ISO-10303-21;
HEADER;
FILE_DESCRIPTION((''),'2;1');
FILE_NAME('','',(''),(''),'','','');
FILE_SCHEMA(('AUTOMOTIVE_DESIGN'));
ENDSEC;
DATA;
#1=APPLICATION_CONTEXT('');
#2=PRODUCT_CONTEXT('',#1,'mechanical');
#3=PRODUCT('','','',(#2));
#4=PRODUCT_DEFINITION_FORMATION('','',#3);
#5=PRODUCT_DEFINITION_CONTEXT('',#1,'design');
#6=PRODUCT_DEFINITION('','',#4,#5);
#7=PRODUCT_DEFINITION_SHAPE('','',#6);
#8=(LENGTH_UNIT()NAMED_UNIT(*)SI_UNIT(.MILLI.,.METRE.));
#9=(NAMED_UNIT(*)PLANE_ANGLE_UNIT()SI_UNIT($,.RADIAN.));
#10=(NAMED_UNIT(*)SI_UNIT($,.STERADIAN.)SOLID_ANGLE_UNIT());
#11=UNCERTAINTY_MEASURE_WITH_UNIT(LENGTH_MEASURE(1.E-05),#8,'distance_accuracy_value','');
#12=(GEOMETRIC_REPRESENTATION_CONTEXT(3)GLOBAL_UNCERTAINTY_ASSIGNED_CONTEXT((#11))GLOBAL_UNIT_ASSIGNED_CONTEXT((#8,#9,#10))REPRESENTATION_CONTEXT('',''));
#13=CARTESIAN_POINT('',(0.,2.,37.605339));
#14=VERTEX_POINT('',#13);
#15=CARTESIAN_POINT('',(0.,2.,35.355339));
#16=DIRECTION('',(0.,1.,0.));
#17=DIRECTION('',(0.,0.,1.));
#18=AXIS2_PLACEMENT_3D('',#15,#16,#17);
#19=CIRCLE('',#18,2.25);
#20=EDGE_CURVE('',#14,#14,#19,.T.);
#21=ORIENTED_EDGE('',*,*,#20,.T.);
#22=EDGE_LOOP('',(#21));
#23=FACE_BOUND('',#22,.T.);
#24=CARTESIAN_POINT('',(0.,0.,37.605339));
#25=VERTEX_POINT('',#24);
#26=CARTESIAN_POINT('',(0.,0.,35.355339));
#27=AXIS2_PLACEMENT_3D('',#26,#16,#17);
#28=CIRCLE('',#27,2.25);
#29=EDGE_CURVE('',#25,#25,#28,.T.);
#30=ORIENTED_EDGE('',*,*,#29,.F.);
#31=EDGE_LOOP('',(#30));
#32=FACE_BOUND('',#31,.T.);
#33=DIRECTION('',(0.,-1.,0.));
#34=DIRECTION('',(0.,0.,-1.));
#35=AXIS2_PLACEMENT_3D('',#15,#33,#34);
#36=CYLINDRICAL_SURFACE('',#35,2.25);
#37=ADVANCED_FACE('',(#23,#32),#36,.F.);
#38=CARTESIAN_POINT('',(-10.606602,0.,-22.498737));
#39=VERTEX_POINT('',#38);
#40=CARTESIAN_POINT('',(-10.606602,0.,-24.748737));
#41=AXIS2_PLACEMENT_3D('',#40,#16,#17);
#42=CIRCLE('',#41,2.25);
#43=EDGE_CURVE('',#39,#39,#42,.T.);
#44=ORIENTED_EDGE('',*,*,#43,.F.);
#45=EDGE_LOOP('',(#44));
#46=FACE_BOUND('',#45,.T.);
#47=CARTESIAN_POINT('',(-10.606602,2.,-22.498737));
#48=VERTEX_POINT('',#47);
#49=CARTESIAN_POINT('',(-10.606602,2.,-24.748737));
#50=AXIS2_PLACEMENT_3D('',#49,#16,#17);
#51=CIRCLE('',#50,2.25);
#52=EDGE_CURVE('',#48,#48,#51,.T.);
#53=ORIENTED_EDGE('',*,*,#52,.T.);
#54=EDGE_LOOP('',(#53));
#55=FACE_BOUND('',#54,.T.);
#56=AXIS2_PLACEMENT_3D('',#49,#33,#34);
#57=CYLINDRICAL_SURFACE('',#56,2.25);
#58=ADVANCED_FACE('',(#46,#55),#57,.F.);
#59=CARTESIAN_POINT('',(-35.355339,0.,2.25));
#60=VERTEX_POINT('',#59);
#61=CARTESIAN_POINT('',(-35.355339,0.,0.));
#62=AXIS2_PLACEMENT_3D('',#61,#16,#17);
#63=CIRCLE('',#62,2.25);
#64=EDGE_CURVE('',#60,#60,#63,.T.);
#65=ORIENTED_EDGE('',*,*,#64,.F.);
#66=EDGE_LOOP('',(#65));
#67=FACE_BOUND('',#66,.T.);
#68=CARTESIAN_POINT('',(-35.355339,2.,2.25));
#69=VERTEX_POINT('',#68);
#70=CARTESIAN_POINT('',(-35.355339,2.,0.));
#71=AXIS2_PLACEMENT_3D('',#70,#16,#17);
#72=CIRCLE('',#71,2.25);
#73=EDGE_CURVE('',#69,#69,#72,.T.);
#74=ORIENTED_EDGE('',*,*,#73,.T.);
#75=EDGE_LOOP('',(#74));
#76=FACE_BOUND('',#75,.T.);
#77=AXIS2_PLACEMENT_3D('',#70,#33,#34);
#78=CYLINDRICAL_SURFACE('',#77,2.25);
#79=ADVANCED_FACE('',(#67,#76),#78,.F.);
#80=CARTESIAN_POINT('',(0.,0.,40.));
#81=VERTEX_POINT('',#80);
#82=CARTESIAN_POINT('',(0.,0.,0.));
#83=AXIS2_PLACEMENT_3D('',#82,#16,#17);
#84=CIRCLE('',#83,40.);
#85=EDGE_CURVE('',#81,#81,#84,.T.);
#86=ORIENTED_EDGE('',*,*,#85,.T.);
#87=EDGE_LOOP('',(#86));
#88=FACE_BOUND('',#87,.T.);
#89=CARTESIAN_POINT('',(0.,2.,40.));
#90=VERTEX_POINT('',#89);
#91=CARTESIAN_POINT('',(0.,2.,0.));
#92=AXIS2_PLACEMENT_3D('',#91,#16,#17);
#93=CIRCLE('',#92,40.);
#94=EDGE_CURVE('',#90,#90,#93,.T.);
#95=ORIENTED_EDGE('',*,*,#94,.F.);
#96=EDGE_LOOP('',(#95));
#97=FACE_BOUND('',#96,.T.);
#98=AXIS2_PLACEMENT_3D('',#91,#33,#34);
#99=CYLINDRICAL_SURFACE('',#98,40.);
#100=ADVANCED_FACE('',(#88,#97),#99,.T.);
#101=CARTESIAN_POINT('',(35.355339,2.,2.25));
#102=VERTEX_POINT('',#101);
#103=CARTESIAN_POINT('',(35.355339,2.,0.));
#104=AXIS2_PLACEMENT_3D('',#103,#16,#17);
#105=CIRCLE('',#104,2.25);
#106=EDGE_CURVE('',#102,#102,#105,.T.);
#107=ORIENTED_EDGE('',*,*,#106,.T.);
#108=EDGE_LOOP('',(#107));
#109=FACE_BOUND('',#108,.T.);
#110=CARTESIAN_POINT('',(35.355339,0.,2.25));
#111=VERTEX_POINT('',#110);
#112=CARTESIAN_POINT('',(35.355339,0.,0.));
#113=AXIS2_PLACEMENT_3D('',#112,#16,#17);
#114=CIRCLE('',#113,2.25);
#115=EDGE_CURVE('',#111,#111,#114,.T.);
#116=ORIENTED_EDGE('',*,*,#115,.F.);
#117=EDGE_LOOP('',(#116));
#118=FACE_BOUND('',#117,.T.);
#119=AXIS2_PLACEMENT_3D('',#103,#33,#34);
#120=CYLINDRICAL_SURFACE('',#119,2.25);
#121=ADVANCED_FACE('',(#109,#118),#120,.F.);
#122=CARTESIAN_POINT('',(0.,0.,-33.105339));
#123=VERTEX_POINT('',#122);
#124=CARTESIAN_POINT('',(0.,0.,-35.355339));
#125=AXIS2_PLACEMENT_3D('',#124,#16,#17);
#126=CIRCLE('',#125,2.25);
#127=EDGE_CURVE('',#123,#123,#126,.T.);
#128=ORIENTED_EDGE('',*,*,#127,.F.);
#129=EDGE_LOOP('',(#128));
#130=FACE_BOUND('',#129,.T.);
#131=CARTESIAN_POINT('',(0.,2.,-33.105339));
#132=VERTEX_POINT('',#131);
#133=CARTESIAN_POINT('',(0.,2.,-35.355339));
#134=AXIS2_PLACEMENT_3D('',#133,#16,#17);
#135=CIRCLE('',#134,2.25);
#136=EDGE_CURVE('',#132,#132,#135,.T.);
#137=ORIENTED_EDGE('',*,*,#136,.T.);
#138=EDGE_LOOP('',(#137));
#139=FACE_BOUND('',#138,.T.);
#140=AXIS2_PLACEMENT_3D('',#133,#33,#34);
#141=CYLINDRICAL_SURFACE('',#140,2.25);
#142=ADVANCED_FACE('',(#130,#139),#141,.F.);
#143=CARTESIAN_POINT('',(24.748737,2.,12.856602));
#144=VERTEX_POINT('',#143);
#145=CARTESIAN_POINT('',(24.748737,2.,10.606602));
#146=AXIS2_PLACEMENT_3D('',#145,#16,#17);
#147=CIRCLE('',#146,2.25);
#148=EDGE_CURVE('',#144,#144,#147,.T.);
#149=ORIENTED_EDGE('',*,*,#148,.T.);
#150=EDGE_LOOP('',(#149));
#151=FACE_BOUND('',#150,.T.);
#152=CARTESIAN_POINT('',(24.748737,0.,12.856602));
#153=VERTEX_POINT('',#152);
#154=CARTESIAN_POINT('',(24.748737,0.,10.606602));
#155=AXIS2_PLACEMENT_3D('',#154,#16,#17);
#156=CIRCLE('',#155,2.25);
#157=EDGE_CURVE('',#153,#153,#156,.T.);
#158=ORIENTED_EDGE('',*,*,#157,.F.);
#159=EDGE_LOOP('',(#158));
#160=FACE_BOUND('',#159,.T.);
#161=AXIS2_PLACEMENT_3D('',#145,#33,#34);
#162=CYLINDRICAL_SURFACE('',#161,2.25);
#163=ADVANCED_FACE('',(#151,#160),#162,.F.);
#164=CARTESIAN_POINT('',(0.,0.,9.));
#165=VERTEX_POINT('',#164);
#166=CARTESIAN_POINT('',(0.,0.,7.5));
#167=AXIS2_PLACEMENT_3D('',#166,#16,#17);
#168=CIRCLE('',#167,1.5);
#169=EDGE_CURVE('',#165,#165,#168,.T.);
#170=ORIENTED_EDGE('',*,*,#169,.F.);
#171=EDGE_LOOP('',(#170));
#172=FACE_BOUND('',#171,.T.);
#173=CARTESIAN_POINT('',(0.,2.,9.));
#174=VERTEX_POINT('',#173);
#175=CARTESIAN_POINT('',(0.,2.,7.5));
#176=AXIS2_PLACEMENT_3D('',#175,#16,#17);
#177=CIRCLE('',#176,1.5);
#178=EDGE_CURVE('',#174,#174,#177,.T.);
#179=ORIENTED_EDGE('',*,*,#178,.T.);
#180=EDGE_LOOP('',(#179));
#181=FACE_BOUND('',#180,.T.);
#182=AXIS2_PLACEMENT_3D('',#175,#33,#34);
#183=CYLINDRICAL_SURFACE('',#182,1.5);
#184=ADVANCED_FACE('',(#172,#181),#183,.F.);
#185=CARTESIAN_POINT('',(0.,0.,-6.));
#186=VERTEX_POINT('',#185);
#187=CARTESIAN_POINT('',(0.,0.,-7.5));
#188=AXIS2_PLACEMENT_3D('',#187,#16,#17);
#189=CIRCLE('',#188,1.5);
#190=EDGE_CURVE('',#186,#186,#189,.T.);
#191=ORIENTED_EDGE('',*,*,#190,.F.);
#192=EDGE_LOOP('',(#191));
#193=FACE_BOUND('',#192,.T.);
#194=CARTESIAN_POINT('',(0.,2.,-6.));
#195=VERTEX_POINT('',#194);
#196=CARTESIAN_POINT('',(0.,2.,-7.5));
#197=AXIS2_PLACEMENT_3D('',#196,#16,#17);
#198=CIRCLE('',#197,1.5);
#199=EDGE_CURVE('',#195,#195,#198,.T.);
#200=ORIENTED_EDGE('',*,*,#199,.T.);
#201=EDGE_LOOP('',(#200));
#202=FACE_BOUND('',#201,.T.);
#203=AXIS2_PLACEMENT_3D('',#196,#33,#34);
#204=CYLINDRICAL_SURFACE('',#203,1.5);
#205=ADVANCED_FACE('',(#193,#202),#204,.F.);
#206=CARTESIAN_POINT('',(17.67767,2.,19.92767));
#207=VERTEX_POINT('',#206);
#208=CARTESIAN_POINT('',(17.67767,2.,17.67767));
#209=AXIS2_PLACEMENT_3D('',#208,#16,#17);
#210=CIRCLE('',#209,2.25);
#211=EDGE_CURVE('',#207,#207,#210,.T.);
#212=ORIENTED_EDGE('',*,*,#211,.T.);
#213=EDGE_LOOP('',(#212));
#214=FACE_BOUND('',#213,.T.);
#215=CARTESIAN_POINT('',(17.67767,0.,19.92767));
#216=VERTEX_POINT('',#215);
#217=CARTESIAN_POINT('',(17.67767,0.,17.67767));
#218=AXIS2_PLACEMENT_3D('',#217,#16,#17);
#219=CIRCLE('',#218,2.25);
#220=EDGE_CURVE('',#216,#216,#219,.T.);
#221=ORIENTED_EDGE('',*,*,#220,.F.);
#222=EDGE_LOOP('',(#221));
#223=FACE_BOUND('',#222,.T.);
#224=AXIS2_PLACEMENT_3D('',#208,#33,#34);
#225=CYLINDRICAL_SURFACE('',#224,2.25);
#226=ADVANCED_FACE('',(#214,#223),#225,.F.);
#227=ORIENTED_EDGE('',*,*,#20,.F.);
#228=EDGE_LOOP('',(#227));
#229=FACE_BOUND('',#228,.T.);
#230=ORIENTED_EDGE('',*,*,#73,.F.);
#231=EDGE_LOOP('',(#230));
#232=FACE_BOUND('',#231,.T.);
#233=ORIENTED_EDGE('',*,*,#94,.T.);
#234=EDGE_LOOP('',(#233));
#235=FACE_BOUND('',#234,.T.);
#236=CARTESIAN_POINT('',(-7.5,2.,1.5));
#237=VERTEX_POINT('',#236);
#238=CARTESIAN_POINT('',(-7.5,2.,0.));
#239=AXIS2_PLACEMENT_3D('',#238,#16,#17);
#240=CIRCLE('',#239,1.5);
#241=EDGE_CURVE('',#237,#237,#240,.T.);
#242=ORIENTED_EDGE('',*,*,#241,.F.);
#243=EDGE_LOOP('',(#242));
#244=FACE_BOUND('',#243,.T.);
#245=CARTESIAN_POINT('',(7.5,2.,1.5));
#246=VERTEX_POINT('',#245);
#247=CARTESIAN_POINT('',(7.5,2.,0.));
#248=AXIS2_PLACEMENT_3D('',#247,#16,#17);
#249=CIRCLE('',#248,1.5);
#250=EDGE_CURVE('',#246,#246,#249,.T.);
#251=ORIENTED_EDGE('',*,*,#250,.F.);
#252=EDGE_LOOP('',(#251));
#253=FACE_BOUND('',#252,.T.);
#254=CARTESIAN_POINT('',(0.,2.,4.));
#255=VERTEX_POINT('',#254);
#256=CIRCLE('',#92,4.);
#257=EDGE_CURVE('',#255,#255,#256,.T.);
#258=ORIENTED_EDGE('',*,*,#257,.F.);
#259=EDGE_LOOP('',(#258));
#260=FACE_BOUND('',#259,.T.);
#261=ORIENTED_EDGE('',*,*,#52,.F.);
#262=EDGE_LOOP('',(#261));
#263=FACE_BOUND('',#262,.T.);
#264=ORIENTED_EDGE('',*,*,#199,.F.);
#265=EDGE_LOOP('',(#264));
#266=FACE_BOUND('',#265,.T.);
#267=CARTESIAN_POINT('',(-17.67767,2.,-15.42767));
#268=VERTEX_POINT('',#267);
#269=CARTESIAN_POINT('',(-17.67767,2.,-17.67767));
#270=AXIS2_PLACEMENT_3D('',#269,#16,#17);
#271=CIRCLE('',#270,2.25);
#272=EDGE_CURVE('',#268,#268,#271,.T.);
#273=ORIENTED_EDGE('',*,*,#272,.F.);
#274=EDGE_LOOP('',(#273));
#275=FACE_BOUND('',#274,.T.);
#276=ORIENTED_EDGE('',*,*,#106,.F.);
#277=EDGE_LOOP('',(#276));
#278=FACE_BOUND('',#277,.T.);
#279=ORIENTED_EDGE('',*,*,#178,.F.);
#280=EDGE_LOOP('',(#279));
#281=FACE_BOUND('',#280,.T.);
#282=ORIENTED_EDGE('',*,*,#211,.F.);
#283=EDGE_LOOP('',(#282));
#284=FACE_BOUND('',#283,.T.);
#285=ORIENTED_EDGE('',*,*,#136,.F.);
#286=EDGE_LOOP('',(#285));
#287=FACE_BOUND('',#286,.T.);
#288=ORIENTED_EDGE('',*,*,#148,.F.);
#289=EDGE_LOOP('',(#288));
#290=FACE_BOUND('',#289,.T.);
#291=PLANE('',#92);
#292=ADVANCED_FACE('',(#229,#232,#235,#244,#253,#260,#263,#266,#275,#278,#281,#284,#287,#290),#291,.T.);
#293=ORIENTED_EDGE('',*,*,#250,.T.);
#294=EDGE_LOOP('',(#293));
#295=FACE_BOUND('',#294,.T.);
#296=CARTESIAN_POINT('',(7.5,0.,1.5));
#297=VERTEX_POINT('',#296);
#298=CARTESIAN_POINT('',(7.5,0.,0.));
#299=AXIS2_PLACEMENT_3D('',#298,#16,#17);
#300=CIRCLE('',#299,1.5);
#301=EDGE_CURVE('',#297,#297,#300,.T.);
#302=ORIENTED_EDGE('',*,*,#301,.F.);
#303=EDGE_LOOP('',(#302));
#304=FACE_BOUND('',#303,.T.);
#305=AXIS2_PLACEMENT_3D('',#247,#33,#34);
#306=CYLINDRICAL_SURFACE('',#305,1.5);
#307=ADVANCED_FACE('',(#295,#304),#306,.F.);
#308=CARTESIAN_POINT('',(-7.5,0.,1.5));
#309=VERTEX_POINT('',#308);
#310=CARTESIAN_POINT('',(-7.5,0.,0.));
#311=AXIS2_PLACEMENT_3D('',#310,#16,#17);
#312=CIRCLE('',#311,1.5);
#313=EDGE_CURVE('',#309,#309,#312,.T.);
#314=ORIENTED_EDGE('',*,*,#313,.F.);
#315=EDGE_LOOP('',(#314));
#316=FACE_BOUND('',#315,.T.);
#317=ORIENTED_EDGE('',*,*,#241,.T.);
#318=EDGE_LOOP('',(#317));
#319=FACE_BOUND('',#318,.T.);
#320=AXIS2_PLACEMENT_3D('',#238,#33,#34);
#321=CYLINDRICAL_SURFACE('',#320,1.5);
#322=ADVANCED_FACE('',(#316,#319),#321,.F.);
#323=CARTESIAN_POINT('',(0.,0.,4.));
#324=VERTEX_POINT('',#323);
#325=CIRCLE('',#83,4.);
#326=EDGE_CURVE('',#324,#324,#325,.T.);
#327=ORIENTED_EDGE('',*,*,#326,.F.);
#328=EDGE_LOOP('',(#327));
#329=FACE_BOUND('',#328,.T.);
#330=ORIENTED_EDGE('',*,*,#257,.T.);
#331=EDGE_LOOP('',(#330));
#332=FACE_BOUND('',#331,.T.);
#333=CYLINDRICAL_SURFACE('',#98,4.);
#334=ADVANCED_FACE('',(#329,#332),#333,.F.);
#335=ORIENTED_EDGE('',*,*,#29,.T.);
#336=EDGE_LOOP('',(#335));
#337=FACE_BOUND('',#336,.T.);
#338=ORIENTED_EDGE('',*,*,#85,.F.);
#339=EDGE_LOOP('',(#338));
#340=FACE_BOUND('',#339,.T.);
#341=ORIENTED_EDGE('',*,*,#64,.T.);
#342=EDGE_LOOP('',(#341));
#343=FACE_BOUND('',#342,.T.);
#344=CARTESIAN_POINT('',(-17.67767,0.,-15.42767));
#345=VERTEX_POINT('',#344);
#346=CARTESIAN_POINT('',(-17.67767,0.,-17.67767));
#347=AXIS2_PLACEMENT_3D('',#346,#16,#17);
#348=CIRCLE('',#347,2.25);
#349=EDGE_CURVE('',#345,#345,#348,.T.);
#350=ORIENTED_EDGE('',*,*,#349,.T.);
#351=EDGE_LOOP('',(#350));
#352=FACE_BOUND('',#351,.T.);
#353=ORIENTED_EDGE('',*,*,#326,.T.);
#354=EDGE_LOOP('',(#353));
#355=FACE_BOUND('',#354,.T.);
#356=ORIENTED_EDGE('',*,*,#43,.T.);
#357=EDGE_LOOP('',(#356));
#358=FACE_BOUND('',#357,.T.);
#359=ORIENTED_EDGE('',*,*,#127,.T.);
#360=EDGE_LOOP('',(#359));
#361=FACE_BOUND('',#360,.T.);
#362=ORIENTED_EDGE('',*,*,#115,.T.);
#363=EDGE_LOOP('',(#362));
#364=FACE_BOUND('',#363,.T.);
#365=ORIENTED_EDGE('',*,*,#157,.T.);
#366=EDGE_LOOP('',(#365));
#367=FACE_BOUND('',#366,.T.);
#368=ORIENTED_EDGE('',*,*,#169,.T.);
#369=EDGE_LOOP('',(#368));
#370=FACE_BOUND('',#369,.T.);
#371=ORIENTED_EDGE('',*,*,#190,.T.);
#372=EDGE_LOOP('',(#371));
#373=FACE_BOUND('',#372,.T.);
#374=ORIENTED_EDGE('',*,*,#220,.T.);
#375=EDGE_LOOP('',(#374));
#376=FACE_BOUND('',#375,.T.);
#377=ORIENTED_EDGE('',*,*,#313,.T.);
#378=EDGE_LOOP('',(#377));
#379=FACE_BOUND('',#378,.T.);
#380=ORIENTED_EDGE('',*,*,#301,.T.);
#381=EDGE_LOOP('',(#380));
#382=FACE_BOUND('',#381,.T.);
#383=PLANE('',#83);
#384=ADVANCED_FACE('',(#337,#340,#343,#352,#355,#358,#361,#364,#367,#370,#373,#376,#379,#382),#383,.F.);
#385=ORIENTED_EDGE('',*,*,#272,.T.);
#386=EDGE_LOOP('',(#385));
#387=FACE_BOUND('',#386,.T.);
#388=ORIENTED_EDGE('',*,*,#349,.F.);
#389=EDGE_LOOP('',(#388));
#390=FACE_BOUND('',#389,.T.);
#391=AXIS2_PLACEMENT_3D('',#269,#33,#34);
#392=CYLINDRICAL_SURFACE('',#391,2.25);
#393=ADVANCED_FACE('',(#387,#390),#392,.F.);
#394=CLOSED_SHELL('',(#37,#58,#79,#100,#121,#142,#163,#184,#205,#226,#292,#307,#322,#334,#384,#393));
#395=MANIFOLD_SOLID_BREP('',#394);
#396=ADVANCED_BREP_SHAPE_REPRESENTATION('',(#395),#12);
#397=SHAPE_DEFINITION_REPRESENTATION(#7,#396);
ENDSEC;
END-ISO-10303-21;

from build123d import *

# Parameters (mm, degrees)
SKETCH1_R           = 40
SKETCH1_R_2         = 2.25
SKETCH1_R_3         = 4
SKETCH1_R_4         = 1.5
BOSS_EXTRUDE2_DEPTH = 2


with BuildPart() as part:
    # Sketch1 → Boss-Extrude2 (new body)
    with BuildSketch(Plane(origin=(0, 0, 0), x_dir=(1, 0, 0), z_dir=(0, 1, 0))):
        with Locations(Location((0, 0, 0), (0, 0, 270))):
            Circle(SKETCH1_R)
        with Locations(Location((0, 35.355339059, 0), (0, 0, 270))):
            Circle(SKETCH1_R_2, mode=Mode.SUBTRACT)
        with Locations(Location((35.355339059, 0, 0), (0, 0, 270))):
            Circle(SKETCH1_R_2, mode=Mode.SUBTRACT)
        with Locations(Location((0, -35.355339059, 0), (0, 0, 270))):
            Circle(SKETCH1_R_2, mode=Mode.SUBTRACT)
        with Locations(Location((-35.355339059, 0, 0), (0, 0, 270))):
            Circle(SKETCH1_R_2, mode=Mode.SUBTRACT)
        with Locations(Location((-17.67766953, 17.67766953, 0), (0, 0, 270))):
            Circle(SKETCH1_R_2, mode=Mode.SUBTRACT)
        with Locations(Location((17.67766953, -17.67766953, 0), (0, 0, 270))):
            Circle(SKETCH1_R_2, mode=Mode.SUBTRACT)
        with Locations(Location((-10.606601718, 24.748737342, 0), (0, 0, 270))):
            Circle(SKETCH1_R_2, mode=Mode.SUBTRACT)
        with Locations(Location((24.748737342, -10.606601718, 0), (0, 0, 270))):
            Circle(SKETCH1_R_2, mode=Mode.SUBTRACT)
        with Locations(Location((0, 0, 0), (0, 0, 270))):
            Circle(SKETCH1_R_3, mode=Mode.SUBTRACT)
        with Locations(Location((0, 7.5, 0), (0, 0, 270))):
            Circle(SKETCH1_R_4, mode=Mode.SUBTRACT)
        with Locations(Location((7.5, 0, 0), (0, 0, 270))):
            Circle(SKETCH1_R_4, mode=Mode.SUBTRACT)
        with Locations(Location((0, -7.5, 0), (0, 0, 270))):
            Circle(SKETCH1_R_4, mode=Mode.SUBTRACT)
        with Locations(Location((-7.5, 0, 0), (0, 0, 270))):
            Circle(SKETCH1_R_4, mode=Mode.SUBTRACT)
    extrude(amount=BOSS_EXTRUDE2_DEPTH)


solid = part.part
